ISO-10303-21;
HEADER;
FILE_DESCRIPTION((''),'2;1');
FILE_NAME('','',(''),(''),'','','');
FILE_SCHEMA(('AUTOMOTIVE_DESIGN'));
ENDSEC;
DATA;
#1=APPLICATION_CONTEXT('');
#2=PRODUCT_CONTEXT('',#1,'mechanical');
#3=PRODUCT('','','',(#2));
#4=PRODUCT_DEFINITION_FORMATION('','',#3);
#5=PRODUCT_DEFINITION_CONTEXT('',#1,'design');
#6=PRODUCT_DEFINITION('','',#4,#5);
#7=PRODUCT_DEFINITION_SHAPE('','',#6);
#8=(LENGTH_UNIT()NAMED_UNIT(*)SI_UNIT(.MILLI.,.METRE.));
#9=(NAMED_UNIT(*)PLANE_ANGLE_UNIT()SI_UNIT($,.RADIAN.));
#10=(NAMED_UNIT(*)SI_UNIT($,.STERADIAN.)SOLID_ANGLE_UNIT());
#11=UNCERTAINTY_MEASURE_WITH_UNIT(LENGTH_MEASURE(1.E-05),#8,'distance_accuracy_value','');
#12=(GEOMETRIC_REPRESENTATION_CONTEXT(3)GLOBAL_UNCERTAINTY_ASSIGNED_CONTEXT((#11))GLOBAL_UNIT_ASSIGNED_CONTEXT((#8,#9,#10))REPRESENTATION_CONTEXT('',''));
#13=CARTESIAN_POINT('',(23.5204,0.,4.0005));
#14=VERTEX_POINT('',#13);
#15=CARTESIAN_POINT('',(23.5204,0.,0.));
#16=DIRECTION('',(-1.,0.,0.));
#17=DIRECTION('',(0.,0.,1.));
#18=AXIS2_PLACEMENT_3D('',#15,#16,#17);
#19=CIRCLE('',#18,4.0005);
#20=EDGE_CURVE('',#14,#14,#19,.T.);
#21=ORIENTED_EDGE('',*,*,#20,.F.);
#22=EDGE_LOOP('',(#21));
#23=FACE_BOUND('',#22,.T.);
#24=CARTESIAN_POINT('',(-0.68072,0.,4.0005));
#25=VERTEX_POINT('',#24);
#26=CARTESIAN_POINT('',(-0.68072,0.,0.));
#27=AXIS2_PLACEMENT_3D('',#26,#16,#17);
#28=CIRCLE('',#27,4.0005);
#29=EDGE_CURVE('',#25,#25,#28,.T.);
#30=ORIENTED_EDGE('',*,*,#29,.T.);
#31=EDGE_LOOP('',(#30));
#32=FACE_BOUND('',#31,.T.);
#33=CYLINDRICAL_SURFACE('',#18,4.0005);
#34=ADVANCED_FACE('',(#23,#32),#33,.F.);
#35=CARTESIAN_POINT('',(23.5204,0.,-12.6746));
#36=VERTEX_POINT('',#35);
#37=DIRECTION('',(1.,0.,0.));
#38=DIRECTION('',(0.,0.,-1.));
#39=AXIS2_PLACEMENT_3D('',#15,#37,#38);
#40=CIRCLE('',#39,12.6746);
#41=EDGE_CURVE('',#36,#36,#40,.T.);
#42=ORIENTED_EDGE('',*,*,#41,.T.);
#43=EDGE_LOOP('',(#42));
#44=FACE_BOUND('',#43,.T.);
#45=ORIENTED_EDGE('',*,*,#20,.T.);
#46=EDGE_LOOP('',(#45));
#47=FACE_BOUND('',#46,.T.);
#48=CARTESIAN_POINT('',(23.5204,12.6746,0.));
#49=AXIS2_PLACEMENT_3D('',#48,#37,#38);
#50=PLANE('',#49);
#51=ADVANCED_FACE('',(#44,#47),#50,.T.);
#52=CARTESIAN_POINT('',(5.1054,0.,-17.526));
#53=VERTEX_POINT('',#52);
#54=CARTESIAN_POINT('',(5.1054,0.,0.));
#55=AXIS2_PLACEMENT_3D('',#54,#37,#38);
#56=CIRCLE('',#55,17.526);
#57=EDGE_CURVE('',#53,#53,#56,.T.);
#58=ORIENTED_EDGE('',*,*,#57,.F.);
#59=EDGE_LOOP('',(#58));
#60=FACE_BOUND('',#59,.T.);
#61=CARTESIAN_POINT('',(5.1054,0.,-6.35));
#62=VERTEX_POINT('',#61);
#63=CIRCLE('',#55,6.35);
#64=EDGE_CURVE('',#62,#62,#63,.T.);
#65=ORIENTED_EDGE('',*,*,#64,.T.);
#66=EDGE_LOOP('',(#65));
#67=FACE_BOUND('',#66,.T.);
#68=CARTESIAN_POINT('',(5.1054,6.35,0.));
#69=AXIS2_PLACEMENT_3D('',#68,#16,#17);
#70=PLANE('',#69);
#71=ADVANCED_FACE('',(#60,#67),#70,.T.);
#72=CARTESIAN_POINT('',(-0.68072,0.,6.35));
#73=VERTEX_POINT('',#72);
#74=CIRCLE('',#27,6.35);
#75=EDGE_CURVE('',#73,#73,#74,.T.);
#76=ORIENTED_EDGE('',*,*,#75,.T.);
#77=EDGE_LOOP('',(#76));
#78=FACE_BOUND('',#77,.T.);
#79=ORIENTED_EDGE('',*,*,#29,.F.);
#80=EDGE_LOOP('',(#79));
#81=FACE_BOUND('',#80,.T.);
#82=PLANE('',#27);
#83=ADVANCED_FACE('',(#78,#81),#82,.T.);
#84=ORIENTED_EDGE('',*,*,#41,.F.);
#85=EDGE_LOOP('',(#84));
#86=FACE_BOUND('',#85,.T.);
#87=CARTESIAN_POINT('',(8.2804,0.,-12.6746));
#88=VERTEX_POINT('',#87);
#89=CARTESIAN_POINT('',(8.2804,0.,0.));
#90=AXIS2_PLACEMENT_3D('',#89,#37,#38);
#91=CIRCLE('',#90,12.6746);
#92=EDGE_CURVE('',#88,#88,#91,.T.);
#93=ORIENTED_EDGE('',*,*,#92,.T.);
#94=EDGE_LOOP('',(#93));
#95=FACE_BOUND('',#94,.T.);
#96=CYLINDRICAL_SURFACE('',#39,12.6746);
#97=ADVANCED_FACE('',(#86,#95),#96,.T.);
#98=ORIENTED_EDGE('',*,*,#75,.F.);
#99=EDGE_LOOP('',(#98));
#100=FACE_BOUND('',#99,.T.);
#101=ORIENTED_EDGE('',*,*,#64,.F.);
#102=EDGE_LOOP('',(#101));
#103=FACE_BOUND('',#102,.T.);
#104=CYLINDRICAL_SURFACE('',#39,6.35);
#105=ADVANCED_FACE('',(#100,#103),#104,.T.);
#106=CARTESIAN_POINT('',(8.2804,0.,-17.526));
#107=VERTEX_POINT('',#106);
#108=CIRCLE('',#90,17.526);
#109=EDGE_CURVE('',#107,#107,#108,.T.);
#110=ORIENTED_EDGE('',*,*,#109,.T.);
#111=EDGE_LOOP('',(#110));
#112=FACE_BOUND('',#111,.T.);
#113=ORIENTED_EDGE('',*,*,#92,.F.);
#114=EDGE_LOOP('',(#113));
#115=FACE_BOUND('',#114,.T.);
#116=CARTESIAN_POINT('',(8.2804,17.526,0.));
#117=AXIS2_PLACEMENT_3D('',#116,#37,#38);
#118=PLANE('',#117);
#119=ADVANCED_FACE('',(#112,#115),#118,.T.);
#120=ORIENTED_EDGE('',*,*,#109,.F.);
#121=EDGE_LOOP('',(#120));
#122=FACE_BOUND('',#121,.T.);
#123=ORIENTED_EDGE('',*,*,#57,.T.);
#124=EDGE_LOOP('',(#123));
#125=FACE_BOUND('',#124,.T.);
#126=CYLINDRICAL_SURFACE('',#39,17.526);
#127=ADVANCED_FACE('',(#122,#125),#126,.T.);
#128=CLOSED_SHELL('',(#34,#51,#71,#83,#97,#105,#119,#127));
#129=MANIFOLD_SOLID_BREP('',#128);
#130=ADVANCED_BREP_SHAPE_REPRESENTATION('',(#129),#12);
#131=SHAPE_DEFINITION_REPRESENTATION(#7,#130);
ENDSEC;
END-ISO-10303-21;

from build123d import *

# Parameters (mm, degrees)
SKETCH2_R           = 4.0005
CUT_EXTRUDE1_DEPTH  = 35.169146436
SKETCH3_R           = 6.35
SKETCH3_R_2         = 4.0005
BOSS_EXTRUDE1_DEPTH = 0.68072


with BuildPart() as part:
    # Sketch1 → Revolve1 (revolve)
    with BuildSketch(Plane.XY, mode=Mode.PRIVATE) as revolve1_sk:
        Polygon((0, 0), (0, 6.35), (5.1054, 6.35), (5.1054, 17.526), (8.2804, 17.526), (8.2804, 12.6746), (23.5204, 12.6746), (23.5204, 0), align=None)
    revolve(revolve1_sk.sketch.rotate(Axis((23.5204, 0, 0), (-1, 0, 0)), 90), axis=Axis((23.5204, 0, 0), (-1, 0, 0)))

    # Sketch2 → Cut-Extrude1 (cut, through all)
    with BuildSketch(Plane.ZY):
        Circle(SKETCH2_R)
    extrude(amount=-CUT_EXTRUDE1_DEPTH, mode=Mode.SUBTRACT)

    # Sketch3 → Boss-Extrude1 (add)
    with BuildSketch(Plane.ZY):
        with Locations(Location((0, 0, 0), (0, 0, 180))):
            Circle(SKETCH3_R)
        Circle(SKETCH3_R_2, mode=Mode.SUBTRACT)
    extrude(amount=BOSS_EXTRUDE1_DEPTH)


solid = part.part
